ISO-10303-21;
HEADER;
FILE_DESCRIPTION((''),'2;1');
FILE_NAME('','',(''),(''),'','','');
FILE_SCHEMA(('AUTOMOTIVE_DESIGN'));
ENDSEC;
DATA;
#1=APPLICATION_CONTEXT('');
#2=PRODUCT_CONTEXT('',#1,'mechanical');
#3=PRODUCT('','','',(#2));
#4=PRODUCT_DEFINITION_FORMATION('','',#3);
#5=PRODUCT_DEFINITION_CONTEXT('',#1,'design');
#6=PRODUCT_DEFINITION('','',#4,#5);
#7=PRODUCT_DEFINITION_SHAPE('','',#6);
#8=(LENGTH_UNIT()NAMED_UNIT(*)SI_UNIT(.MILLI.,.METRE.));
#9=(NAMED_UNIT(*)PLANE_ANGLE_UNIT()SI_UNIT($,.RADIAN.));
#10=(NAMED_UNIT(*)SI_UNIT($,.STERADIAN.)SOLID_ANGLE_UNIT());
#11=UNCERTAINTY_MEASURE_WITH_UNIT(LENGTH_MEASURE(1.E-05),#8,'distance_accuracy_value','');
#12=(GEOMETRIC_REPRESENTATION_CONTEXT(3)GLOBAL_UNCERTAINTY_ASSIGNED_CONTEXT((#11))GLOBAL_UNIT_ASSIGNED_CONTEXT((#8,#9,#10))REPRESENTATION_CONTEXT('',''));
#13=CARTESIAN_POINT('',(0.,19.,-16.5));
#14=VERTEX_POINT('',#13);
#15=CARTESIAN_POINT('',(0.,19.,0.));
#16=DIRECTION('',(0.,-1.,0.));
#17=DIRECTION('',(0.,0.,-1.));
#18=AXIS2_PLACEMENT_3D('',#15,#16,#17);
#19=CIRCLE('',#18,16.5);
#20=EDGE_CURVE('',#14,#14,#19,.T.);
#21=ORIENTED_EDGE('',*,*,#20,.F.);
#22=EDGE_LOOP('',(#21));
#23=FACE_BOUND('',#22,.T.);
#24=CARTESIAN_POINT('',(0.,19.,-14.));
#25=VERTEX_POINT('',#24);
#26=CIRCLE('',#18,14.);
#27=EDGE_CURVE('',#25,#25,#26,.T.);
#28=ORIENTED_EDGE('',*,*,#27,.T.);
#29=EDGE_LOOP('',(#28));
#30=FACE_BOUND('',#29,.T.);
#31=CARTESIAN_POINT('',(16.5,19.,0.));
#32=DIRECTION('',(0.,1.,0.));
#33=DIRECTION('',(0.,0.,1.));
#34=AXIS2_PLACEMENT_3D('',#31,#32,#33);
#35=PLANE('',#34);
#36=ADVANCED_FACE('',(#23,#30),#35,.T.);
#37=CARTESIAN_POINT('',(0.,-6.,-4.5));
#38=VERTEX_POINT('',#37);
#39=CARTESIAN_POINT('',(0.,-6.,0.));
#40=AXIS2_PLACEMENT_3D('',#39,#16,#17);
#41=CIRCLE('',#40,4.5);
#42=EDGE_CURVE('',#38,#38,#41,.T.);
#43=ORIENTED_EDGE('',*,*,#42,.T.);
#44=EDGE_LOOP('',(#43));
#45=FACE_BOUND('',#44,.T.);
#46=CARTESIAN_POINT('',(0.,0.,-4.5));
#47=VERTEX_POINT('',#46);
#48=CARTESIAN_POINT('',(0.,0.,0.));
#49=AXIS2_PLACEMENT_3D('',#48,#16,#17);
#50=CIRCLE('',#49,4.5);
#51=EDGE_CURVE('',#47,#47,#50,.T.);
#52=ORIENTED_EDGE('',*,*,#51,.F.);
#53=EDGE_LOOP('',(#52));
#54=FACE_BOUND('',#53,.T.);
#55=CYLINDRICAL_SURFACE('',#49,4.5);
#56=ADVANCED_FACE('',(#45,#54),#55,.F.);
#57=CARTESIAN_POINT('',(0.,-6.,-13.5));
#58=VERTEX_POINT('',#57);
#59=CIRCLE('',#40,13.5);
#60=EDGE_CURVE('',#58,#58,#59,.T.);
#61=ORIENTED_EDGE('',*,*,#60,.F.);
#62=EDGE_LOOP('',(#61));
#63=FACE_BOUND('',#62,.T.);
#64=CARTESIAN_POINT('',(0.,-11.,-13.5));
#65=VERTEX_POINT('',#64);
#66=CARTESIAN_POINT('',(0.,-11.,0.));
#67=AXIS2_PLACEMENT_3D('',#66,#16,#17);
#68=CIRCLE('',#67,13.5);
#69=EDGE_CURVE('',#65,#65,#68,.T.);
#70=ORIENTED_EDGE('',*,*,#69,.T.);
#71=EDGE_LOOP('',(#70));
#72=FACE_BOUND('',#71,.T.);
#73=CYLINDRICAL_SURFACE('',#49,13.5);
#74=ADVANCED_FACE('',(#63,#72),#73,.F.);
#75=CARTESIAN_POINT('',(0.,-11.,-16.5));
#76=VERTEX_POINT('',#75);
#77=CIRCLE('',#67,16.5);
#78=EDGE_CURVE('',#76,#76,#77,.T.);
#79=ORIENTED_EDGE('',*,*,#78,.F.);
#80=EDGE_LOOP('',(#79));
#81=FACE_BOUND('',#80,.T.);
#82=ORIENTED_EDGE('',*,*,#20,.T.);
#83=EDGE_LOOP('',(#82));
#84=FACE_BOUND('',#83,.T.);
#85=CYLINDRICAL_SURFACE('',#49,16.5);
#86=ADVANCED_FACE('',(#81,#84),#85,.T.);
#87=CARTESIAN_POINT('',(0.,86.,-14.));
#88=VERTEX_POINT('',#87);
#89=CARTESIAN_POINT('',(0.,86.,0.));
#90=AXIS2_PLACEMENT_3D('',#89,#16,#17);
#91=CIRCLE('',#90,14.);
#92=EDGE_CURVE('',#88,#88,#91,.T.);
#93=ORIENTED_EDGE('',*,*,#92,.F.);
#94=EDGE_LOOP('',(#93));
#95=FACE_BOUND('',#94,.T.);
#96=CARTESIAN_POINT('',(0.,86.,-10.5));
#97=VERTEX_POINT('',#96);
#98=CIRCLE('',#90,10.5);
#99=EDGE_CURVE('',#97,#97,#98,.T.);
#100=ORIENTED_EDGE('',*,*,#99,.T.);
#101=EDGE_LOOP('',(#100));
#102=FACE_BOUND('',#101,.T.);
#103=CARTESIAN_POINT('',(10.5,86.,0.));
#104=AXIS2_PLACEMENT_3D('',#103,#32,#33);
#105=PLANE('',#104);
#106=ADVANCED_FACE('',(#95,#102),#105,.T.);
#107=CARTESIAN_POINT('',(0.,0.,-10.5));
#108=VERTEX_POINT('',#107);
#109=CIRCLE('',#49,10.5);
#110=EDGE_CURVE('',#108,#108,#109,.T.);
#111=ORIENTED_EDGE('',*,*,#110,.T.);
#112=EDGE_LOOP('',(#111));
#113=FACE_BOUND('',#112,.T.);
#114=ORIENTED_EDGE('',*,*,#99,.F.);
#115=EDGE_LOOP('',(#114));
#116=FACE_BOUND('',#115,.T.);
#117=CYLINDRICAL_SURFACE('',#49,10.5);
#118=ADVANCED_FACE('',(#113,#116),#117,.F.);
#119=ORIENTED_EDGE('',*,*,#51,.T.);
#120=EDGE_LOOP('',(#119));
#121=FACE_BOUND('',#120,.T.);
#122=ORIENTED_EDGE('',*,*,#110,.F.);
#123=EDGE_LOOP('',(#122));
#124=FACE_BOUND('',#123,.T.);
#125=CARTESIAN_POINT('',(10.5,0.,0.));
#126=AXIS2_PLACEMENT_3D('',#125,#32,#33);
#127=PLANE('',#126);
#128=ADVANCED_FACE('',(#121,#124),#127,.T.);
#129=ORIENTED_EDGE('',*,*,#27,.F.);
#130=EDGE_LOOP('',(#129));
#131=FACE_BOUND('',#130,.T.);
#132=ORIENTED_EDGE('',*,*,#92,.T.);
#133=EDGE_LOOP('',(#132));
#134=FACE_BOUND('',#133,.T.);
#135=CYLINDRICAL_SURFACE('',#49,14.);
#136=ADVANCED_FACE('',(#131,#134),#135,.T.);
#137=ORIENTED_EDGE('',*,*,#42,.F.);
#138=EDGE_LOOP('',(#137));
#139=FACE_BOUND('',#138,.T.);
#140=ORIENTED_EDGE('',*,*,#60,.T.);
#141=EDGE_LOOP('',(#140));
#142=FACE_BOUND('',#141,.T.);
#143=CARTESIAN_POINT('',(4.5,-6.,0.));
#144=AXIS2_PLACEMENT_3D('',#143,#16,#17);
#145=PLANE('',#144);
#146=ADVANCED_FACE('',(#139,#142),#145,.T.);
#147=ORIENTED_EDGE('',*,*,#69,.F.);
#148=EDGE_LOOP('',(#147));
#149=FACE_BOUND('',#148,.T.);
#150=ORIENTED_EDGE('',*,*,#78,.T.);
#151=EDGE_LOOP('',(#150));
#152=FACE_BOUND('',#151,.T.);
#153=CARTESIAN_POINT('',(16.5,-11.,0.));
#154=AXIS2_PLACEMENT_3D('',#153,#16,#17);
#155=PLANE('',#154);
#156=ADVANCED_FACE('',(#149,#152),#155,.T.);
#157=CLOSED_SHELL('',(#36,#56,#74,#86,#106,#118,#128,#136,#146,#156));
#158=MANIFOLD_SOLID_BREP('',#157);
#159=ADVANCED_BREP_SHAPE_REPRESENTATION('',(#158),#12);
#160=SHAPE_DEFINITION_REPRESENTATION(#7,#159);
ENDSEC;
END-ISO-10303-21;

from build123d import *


with BuildPart() as part:
    # Sketch2 → Revolve1 (revolve)
    with BuildSketch(Plane.XY):
        Polygon((10.5, 0), (4.5, 0), (4.5, -6), (13.5, -6), (13.5, -11), (16.5, -11), (16.5, -6), (16.5, 19), (14, 19), (14, 86), (10.5, 86), align=None)
    revolve(axis=Axis((0, 0, 0), (0, 1, 0)))


solid = part.part
